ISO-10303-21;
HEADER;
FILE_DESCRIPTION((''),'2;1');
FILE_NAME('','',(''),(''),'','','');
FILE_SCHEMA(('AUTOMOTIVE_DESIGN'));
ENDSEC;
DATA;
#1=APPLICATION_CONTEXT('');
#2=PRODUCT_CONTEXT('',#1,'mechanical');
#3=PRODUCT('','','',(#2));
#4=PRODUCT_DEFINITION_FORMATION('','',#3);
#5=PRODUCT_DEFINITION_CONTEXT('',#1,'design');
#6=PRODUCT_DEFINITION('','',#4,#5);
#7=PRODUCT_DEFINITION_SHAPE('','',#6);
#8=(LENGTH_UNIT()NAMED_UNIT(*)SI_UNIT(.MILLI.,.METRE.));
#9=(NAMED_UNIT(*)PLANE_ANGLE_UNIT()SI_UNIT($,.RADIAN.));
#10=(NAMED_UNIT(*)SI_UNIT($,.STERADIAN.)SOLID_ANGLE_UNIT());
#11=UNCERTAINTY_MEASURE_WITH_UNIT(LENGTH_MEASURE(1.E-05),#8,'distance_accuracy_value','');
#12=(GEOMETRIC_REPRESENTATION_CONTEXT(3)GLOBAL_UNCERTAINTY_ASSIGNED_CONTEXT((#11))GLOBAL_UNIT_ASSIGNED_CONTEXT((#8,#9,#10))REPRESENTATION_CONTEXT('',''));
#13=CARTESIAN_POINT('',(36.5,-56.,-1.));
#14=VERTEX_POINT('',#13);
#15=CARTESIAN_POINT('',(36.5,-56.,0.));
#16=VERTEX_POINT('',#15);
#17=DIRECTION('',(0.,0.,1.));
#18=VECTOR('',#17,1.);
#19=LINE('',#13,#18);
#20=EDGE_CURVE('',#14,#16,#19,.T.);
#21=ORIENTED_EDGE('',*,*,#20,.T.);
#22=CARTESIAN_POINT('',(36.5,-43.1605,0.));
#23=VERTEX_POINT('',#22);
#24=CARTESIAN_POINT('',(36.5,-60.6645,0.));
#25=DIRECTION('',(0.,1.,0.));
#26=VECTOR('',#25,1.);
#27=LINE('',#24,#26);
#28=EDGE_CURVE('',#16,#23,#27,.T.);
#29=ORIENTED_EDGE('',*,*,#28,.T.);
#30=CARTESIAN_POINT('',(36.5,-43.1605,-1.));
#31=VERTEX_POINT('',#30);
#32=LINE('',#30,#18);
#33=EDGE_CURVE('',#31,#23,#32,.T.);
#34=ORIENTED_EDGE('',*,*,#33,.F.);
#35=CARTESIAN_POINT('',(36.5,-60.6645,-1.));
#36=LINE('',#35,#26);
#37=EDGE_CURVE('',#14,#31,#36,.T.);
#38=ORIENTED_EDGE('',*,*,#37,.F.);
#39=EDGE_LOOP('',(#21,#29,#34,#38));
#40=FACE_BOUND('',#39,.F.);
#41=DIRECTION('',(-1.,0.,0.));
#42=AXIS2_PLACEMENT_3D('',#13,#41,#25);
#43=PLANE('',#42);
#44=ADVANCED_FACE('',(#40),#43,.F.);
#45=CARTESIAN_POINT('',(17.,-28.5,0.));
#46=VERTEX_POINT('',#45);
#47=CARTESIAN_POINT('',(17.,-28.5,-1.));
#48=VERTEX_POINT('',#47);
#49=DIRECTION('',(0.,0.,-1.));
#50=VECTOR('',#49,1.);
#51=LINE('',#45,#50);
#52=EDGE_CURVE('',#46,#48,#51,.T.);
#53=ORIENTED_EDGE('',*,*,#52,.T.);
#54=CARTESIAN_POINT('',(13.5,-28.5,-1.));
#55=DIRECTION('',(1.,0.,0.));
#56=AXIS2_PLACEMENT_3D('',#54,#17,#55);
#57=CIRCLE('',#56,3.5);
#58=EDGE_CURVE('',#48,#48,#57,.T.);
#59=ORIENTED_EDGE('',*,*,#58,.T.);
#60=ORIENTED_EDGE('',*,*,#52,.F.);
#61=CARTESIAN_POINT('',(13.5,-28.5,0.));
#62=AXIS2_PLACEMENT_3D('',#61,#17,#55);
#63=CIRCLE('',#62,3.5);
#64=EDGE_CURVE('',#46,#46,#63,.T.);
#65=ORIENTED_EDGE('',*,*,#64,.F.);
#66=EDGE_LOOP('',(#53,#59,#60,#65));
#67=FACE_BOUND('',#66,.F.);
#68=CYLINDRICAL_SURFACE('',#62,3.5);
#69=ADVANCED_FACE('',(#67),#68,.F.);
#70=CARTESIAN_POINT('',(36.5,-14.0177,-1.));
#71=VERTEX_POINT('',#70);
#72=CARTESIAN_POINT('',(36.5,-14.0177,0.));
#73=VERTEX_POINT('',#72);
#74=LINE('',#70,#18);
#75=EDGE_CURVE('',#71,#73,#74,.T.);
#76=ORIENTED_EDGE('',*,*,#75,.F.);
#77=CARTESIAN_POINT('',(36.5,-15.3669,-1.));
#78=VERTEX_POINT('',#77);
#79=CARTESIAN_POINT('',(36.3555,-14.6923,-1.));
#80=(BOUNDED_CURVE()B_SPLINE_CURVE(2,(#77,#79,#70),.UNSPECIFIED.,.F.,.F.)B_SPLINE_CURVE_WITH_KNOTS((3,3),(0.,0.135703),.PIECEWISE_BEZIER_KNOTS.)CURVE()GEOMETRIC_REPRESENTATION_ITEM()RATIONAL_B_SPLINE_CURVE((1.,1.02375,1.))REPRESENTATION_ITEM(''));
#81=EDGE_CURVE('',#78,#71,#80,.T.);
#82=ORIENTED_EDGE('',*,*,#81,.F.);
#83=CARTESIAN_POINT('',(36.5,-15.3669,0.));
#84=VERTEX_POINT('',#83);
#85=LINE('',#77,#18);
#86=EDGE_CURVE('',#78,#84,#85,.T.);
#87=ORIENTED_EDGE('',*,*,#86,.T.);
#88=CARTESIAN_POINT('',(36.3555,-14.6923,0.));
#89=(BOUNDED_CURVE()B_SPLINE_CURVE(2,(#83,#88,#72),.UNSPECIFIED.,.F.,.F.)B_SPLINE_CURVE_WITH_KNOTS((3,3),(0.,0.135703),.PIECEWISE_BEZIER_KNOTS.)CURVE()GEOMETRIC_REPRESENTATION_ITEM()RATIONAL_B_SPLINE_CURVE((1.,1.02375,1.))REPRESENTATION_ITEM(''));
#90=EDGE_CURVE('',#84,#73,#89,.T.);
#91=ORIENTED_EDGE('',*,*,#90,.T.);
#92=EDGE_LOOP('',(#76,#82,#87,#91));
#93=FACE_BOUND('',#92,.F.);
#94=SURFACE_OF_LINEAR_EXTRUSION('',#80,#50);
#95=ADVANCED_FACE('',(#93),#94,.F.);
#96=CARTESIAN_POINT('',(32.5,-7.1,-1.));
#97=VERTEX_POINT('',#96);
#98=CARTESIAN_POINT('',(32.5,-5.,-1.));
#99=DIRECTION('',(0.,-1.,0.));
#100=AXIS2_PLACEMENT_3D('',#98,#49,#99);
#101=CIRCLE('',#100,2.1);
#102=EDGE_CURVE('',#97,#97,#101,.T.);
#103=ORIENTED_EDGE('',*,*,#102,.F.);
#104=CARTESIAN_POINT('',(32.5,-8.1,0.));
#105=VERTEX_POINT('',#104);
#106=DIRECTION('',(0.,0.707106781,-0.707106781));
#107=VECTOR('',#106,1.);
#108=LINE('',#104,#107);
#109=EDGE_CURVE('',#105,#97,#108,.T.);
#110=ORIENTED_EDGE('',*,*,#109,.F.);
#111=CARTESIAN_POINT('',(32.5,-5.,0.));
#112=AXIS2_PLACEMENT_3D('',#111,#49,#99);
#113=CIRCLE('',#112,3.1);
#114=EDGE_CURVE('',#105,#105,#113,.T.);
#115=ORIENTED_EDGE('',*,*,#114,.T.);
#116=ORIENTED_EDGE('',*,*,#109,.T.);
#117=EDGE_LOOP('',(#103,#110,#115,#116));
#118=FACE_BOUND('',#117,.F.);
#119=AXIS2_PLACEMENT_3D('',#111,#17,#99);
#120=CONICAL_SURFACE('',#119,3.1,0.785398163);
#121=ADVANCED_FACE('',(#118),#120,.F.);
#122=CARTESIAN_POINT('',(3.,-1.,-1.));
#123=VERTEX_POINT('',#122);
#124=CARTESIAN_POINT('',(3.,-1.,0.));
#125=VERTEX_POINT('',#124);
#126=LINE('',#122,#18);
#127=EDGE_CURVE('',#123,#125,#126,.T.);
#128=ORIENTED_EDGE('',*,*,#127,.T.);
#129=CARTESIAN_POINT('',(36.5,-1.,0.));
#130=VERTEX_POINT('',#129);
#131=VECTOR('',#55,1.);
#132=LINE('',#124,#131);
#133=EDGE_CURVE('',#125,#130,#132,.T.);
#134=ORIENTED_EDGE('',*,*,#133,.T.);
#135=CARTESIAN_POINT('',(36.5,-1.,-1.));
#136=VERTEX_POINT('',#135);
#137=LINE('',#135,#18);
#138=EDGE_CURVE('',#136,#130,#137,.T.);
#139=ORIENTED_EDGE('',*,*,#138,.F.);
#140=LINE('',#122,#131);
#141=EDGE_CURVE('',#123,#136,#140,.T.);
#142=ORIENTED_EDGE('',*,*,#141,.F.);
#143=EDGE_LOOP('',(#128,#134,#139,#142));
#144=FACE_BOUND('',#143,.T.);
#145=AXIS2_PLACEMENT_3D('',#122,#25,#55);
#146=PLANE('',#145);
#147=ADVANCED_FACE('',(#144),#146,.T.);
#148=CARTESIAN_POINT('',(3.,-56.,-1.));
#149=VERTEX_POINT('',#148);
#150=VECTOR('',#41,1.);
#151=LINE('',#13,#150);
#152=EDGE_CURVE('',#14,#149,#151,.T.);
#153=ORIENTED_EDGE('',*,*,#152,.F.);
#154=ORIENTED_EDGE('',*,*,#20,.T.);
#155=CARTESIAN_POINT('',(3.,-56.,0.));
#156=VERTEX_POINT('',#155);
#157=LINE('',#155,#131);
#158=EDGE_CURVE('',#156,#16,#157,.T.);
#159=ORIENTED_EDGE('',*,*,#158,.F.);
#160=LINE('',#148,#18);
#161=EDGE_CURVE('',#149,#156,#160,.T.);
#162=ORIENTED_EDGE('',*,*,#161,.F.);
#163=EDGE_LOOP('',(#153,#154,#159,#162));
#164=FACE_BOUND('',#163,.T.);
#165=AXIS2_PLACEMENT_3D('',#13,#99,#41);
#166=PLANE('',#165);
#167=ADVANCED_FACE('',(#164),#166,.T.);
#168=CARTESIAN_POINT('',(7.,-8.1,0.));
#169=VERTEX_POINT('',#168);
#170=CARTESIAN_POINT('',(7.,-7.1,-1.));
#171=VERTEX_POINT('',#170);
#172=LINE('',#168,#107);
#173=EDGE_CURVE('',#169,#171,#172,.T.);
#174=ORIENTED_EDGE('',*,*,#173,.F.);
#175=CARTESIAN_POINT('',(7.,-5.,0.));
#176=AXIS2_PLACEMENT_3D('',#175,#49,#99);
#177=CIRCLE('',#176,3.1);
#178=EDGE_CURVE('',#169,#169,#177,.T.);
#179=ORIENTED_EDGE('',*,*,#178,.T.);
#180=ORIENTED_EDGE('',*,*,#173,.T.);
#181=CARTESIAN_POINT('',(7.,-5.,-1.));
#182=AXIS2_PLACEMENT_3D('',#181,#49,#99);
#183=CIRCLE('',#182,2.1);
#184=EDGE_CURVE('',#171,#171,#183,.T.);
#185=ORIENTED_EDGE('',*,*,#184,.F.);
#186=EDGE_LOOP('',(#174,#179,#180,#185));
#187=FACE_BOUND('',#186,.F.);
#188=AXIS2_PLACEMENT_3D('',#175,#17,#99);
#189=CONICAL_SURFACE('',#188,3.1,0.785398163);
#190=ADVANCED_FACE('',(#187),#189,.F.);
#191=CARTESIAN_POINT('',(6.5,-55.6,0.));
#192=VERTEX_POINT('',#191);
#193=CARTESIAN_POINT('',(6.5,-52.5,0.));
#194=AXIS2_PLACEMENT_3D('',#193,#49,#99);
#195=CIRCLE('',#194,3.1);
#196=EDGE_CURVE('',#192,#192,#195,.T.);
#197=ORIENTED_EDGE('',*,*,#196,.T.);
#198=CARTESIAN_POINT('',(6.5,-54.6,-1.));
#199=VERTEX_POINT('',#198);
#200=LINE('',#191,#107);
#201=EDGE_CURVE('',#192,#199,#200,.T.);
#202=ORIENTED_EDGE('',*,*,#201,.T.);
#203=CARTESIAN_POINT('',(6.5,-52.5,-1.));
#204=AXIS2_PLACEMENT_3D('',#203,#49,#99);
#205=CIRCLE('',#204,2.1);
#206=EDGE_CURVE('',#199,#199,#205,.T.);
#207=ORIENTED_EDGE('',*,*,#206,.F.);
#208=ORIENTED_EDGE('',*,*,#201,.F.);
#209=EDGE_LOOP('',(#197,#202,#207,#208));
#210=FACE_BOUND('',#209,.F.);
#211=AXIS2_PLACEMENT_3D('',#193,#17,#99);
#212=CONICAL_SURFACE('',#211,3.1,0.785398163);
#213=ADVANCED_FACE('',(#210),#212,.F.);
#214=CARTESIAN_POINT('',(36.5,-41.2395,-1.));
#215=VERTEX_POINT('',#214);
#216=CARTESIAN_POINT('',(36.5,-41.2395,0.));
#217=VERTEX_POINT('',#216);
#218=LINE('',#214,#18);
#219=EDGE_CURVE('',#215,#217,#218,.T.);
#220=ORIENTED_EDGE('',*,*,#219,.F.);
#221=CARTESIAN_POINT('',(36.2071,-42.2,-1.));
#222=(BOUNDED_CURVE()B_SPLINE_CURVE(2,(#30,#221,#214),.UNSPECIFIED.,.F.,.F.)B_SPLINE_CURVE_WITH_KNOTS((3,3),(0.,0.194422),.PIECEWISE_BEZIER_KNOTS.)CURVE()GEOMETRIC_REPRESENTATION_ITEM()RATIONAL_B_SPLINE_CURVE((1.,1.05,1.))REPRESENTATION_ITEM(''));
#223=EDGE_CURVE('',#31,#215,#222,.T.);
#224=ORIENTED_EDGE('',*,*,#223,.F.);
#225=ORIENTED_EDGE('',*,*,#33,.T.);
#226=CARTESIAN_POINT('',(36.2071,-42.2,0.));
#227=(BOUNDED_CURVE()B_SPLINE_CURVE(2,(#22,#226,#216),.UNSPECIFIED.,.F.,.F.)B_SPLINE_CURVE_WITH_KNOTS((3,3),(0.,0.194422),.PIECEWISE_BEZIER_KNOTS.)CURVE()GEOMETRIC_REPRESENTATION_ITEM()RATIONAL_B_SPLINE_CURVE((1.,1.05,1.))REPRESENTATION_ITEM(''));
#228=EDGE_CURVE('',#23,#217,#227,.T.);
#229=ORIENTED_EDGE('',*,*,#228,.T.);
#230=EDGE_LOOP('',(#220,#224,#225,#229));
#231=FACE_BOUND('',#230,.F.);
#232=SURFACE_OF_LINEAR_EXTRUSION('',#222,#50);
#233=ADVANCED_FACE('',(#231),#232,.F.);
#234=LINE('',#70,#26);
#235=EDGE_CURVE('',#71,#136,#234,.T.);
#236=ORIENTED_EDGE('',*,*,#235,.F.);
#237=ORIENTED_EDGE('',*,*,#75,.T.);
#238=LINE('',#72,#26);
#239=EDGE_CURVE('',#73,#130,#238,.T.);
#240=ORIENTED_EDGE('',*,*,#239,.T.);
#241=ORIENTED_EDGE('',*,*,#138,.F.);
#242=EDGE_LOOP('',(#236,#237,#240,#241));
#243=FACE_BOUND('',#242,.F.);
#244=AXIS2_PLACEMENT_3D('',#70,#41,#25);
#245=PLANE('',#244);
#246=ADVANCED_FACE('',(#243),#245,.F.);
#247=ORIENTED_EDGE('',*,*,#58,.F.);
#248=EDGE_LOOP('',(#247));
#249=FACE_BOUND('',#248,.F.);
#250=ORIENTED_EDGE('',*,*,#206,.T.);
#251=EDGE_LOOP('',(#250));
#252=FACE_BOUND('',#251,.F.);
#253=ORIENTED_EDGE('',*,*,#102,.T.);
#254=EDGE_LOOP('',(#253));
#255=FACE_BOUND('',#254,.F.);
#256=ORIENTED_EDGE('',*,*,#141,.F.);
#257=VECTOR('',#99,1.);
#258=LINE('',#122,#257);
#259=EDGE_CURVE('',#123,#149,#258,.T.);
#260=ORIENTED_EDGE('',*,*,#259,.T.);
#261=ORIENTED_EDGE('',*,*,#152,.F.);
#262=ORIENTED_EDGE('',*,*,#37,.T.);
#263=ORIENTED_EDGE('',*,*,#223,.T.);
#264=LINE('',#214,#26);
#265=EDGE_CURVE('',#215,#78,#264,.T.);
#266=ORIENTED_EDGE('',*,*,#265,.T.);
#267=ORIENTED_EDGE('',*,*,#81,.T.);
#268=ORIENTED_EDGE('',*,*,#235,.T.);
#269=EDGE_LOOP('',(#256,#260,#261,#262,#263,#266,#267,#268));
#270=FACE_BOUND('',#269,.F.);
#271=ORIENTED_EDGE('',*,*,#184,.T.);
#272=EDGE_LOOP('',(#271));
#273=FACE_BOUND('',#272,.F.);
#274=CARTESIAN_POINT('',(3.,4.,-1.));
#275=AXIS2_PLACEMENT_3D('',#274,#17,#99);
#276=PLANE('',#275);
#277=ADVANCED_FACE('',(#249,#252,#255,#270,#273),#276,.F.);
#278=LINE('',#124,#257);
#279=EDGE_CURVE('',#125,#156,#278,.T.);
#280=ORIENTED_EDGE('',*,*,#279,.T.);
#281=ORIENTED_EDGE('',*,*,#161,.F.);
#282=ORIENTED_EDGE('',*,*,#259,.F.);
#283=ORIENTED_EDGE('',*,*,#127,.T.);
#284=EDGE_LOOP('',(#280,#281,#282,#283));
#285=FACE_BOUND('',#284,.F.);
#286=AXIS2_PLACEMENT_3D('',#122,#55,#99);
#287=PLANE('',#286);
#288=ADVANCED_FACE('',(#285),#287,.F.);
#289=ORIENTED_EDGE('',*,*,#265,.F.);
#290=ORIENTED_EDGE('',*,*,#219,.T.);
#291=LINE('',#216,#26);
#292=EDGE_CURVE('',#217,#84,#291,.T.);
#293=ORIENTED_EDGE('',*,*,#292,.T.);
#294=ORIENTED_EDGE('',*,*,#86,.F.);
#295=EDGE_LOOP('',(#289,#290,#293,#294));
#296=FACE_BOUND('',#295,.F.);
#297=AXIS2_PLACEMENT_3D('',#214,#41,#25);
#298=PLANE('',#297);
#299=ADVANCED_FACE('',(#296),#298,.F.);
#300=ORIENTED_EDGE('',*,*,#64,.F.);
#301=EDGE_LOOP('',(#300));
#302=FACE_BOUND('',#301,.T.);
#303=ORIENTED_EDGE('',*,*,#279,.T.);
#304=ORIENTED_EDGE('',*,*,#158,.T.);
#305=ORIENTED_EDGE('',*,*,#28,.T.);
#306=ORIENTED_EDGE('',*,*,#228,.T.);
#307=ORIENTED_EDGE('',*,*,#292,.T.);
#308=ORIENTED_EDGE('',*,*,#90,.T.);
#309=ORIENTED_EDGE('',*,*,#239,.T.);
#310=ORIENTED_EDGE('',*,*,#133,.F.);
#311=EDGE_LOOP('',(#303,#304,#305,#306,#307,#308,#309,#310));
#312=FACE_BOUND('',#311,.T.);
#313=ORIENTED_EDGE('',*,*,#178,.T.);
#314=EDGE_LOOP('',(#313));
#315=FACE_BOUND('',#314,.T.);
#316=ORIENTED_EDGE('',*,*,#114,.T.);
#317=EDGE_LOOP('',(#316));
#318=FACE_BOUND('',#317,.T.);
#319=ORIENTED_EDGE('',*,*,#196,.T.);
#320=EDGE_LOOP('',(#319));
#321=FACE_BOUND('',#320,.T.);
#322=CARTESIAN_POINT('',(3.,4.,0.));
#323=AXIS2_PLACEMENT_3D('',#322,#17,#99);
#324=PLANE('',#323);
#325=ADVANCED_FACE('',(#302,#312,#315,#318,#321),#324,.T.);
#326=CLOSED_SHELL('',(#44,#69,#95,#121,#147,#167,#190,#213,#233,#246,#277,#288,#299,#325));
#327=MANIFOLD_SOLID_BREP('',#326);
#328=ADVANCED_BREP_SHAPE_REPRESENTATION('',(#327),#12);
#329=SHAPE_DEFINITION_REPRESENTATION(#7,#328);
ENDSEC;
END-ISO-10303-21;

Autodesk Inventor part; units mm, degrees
ref_plane "YZ Plane" through (0, 0, 0) normal (1, 0, 0) x (0, 1, 0)
ref_plane "XZ Plane" through (0, 0, 0) normal (0, 1, 0) x (-1, 0, 0)
ref_plane "XY Plane" through (0, 0, 0) normal (0, 0, 1) x (1, 0, 0)
ref_plane "Work Plane1" through (3, 4, -1) normal (0, 0, 1) x (0, -1, 0)
sketch "Sketch1" plane through (3, 4, -1) normal (0, 0, 1) x (0, -1, 0)
  line L0 (18.0177, 33.5) -> (5, 33.5) projected
  line L1 (5, 0) -> (5, 33.5) projected
  line L2 (5, 0) -> (89.75, 0) projected
  line L3 (89.75, 0) -> (89.75, 33.5) projected
  line L4 (5, 0) -> (60, 0) projected
  line L5 (5, -3) -> (5, 0) projected
  line L6 (4, -3) -> (60, -3) projected
  line L7 (60, 33.5) -> (60, 3.25) projected
  line L8 (60, -3) -> (60, 0) projected
  arc A0 (63.25, 0) -> (60, 3.25) centre (63.25, 3.25) ccw projected
  line L9 (88.5, 0) -> (183, 0) projected
  circle A1 centre (75.375, 15.375) radius 6.75 projected
  line L10 (60, 0) -> (60, 33.5)
  circle A2 centre (32.5, 10.5) radius 5.5 projected
  circle A3 centre (9, 4) radius 2.1 projected
  circle A4 centre (9, 29.5) radius 2.1 projected
  circle A5 centre (56.5, 3.5) radius 2.1 projected
  spline S0 degree 2 poles (19.3669, 33.5) (18.6923, 33.3555) (18.0177, 33.5) knots 0 0 0 0.135703 0.135703 0.135703 weights 1 1.02375 1 projected
  line L11 (89.75, 33.5) -> (85.2105, 33.5) projected
  spline S1 degree 2 poles (85.2105, 33.5) (84.25, 33.2071) (83.2895, 33.5) knots 0 0 0 0.194422 0.194422 0.194422 weights 1 1.05 1 projected
  line L12 (83.2895, 33.5) -> (66.5855, 33.5) projected
  spline S2 degree 2 poles (66.5855, 33.5) (65.625, 33.2071) (64.6645, 33.5) knots 0 0 0 0.194422 0.194422 0.194422 weights 1 1.05 1 projected
  line L13 (64.6645, 33.5) -> (47.1605, 33.5) projected
  spline S3 degree 2 poles (47.1605, 33.5) (46.2, 33.2071) (45.2395, 33.5) knots 0 0 0 0.194422 0.194422 0.194422 weights 1 1.05 1 projected
  line L14 (45.2395, 33.5) -> (19.3669, 33.5) projected
  line L15 (63.25, 0) -> (88.5, 0) projected
  circle A6 centre (88.5, 3.25) radius 3.25 projected
  line L16 (183, 0) -> (183, 4.5) projected
  line L17 (183, 4.5) -> (137.8889, 33.5) projected
  line L18 (137.8889, 33.5) -> (60, 33.5) projected
  point P0 (52, 0)
  point P1 (64.076, 0)
  point P2 (87.674, 0)
  point P3 (63.25, 3.25)
  point P4 (60, 3.25)
  point P5 (60, 3.25)
extrude "Extrusion1" add sketch "Sketch1" along normal blind 1 contours S0 L14 S3 L13 L7 L10 L2 L1 L0 | A2 | A3 | A4 | A5
sketch "Sketch2" plane through (3, 4, 0) normal (0, 0, 1) x (1, 0, 0)
  line L0 (12.5287, -34.71) -> (8.4496, -34.6899)
  arc A0 (8.4713, -30.29) -> (8.4496, -34.6899) centre (10.5, -32.5) ccw
  line L1 (8.4713, -30.29) -> (12.5504, -30.3101)
  arc A1 (12.5287, -34.71) -> (12.5504, -30.3101) centre (10.5, -32.5) ccw
  circle A2 centre (10.5, -32.5) radius 3
  circle A3 centre (10.5, -32.5) radius 3.5
  point P0 (-3, -4)
  dimension "d5" = 0.5
extrude "Extrusion2" cut sketch "Sketch2" against normal up to next contours A2 L0 | L0 A0 L1 A1 | A2 L1 | A3
sketch "Sketch3" plane through (3, 4, 0) normal (0, 0, 1) x (1, 0, 0)
  circle A0 centre (10.5, -32.5) radius 3.5 projected
  line L0 (0, -5) -> (0, -60) projected
  line L1 (33.5, -18.0177) -> (33.5, -5) projected
  line L2 (33.5, -5) -> (0, -5) projected
  circle A1 centre (3.5, -56.5) radius 3.5
  circle A2 centre (4, -9) radius 4
  circle A3 centre (3.5, -56.5) radius 2.6
  circle A4 centre (4, -9) radius 2.6
  circle A5 centre (29.5, -9) radius 4
  circle A6 centre (29.5, -9) radius 2.6
  line L3 (33.5, -60) -> (33.5, -47.1605) projected
  line L4 (33.5, -45.2395) -> (33.5, -19.3669) projected
  line L5 (0, -60) -> (33.5, -60) projected
  point P0 (-3, -4)
  dimension "d8" = 7
  dimension "d17" = 8
  dimension "d18" = 5.2
  dimension "d19" = 5.2
  dimension "d20" = 4
  dimension "d21" = 4
  dimension "d22" = 8
  dimension "d23" = 5.2
  dimension "d24" = 4
  dimension "d25" = 4
hole "Hole1" at (6.5, -52.5, 0) at (7, -5, 0) at (32.5, -5, 0) direction (0, 0, -1) diameter 3.6 end through all countersink diameter 6.2 countersink angle 90 clearance for "Countersunk Flat Head Screw ISO 2009/7046" size "M3" standard "ISO"
properties part number "right_metal_gear_bracker"
